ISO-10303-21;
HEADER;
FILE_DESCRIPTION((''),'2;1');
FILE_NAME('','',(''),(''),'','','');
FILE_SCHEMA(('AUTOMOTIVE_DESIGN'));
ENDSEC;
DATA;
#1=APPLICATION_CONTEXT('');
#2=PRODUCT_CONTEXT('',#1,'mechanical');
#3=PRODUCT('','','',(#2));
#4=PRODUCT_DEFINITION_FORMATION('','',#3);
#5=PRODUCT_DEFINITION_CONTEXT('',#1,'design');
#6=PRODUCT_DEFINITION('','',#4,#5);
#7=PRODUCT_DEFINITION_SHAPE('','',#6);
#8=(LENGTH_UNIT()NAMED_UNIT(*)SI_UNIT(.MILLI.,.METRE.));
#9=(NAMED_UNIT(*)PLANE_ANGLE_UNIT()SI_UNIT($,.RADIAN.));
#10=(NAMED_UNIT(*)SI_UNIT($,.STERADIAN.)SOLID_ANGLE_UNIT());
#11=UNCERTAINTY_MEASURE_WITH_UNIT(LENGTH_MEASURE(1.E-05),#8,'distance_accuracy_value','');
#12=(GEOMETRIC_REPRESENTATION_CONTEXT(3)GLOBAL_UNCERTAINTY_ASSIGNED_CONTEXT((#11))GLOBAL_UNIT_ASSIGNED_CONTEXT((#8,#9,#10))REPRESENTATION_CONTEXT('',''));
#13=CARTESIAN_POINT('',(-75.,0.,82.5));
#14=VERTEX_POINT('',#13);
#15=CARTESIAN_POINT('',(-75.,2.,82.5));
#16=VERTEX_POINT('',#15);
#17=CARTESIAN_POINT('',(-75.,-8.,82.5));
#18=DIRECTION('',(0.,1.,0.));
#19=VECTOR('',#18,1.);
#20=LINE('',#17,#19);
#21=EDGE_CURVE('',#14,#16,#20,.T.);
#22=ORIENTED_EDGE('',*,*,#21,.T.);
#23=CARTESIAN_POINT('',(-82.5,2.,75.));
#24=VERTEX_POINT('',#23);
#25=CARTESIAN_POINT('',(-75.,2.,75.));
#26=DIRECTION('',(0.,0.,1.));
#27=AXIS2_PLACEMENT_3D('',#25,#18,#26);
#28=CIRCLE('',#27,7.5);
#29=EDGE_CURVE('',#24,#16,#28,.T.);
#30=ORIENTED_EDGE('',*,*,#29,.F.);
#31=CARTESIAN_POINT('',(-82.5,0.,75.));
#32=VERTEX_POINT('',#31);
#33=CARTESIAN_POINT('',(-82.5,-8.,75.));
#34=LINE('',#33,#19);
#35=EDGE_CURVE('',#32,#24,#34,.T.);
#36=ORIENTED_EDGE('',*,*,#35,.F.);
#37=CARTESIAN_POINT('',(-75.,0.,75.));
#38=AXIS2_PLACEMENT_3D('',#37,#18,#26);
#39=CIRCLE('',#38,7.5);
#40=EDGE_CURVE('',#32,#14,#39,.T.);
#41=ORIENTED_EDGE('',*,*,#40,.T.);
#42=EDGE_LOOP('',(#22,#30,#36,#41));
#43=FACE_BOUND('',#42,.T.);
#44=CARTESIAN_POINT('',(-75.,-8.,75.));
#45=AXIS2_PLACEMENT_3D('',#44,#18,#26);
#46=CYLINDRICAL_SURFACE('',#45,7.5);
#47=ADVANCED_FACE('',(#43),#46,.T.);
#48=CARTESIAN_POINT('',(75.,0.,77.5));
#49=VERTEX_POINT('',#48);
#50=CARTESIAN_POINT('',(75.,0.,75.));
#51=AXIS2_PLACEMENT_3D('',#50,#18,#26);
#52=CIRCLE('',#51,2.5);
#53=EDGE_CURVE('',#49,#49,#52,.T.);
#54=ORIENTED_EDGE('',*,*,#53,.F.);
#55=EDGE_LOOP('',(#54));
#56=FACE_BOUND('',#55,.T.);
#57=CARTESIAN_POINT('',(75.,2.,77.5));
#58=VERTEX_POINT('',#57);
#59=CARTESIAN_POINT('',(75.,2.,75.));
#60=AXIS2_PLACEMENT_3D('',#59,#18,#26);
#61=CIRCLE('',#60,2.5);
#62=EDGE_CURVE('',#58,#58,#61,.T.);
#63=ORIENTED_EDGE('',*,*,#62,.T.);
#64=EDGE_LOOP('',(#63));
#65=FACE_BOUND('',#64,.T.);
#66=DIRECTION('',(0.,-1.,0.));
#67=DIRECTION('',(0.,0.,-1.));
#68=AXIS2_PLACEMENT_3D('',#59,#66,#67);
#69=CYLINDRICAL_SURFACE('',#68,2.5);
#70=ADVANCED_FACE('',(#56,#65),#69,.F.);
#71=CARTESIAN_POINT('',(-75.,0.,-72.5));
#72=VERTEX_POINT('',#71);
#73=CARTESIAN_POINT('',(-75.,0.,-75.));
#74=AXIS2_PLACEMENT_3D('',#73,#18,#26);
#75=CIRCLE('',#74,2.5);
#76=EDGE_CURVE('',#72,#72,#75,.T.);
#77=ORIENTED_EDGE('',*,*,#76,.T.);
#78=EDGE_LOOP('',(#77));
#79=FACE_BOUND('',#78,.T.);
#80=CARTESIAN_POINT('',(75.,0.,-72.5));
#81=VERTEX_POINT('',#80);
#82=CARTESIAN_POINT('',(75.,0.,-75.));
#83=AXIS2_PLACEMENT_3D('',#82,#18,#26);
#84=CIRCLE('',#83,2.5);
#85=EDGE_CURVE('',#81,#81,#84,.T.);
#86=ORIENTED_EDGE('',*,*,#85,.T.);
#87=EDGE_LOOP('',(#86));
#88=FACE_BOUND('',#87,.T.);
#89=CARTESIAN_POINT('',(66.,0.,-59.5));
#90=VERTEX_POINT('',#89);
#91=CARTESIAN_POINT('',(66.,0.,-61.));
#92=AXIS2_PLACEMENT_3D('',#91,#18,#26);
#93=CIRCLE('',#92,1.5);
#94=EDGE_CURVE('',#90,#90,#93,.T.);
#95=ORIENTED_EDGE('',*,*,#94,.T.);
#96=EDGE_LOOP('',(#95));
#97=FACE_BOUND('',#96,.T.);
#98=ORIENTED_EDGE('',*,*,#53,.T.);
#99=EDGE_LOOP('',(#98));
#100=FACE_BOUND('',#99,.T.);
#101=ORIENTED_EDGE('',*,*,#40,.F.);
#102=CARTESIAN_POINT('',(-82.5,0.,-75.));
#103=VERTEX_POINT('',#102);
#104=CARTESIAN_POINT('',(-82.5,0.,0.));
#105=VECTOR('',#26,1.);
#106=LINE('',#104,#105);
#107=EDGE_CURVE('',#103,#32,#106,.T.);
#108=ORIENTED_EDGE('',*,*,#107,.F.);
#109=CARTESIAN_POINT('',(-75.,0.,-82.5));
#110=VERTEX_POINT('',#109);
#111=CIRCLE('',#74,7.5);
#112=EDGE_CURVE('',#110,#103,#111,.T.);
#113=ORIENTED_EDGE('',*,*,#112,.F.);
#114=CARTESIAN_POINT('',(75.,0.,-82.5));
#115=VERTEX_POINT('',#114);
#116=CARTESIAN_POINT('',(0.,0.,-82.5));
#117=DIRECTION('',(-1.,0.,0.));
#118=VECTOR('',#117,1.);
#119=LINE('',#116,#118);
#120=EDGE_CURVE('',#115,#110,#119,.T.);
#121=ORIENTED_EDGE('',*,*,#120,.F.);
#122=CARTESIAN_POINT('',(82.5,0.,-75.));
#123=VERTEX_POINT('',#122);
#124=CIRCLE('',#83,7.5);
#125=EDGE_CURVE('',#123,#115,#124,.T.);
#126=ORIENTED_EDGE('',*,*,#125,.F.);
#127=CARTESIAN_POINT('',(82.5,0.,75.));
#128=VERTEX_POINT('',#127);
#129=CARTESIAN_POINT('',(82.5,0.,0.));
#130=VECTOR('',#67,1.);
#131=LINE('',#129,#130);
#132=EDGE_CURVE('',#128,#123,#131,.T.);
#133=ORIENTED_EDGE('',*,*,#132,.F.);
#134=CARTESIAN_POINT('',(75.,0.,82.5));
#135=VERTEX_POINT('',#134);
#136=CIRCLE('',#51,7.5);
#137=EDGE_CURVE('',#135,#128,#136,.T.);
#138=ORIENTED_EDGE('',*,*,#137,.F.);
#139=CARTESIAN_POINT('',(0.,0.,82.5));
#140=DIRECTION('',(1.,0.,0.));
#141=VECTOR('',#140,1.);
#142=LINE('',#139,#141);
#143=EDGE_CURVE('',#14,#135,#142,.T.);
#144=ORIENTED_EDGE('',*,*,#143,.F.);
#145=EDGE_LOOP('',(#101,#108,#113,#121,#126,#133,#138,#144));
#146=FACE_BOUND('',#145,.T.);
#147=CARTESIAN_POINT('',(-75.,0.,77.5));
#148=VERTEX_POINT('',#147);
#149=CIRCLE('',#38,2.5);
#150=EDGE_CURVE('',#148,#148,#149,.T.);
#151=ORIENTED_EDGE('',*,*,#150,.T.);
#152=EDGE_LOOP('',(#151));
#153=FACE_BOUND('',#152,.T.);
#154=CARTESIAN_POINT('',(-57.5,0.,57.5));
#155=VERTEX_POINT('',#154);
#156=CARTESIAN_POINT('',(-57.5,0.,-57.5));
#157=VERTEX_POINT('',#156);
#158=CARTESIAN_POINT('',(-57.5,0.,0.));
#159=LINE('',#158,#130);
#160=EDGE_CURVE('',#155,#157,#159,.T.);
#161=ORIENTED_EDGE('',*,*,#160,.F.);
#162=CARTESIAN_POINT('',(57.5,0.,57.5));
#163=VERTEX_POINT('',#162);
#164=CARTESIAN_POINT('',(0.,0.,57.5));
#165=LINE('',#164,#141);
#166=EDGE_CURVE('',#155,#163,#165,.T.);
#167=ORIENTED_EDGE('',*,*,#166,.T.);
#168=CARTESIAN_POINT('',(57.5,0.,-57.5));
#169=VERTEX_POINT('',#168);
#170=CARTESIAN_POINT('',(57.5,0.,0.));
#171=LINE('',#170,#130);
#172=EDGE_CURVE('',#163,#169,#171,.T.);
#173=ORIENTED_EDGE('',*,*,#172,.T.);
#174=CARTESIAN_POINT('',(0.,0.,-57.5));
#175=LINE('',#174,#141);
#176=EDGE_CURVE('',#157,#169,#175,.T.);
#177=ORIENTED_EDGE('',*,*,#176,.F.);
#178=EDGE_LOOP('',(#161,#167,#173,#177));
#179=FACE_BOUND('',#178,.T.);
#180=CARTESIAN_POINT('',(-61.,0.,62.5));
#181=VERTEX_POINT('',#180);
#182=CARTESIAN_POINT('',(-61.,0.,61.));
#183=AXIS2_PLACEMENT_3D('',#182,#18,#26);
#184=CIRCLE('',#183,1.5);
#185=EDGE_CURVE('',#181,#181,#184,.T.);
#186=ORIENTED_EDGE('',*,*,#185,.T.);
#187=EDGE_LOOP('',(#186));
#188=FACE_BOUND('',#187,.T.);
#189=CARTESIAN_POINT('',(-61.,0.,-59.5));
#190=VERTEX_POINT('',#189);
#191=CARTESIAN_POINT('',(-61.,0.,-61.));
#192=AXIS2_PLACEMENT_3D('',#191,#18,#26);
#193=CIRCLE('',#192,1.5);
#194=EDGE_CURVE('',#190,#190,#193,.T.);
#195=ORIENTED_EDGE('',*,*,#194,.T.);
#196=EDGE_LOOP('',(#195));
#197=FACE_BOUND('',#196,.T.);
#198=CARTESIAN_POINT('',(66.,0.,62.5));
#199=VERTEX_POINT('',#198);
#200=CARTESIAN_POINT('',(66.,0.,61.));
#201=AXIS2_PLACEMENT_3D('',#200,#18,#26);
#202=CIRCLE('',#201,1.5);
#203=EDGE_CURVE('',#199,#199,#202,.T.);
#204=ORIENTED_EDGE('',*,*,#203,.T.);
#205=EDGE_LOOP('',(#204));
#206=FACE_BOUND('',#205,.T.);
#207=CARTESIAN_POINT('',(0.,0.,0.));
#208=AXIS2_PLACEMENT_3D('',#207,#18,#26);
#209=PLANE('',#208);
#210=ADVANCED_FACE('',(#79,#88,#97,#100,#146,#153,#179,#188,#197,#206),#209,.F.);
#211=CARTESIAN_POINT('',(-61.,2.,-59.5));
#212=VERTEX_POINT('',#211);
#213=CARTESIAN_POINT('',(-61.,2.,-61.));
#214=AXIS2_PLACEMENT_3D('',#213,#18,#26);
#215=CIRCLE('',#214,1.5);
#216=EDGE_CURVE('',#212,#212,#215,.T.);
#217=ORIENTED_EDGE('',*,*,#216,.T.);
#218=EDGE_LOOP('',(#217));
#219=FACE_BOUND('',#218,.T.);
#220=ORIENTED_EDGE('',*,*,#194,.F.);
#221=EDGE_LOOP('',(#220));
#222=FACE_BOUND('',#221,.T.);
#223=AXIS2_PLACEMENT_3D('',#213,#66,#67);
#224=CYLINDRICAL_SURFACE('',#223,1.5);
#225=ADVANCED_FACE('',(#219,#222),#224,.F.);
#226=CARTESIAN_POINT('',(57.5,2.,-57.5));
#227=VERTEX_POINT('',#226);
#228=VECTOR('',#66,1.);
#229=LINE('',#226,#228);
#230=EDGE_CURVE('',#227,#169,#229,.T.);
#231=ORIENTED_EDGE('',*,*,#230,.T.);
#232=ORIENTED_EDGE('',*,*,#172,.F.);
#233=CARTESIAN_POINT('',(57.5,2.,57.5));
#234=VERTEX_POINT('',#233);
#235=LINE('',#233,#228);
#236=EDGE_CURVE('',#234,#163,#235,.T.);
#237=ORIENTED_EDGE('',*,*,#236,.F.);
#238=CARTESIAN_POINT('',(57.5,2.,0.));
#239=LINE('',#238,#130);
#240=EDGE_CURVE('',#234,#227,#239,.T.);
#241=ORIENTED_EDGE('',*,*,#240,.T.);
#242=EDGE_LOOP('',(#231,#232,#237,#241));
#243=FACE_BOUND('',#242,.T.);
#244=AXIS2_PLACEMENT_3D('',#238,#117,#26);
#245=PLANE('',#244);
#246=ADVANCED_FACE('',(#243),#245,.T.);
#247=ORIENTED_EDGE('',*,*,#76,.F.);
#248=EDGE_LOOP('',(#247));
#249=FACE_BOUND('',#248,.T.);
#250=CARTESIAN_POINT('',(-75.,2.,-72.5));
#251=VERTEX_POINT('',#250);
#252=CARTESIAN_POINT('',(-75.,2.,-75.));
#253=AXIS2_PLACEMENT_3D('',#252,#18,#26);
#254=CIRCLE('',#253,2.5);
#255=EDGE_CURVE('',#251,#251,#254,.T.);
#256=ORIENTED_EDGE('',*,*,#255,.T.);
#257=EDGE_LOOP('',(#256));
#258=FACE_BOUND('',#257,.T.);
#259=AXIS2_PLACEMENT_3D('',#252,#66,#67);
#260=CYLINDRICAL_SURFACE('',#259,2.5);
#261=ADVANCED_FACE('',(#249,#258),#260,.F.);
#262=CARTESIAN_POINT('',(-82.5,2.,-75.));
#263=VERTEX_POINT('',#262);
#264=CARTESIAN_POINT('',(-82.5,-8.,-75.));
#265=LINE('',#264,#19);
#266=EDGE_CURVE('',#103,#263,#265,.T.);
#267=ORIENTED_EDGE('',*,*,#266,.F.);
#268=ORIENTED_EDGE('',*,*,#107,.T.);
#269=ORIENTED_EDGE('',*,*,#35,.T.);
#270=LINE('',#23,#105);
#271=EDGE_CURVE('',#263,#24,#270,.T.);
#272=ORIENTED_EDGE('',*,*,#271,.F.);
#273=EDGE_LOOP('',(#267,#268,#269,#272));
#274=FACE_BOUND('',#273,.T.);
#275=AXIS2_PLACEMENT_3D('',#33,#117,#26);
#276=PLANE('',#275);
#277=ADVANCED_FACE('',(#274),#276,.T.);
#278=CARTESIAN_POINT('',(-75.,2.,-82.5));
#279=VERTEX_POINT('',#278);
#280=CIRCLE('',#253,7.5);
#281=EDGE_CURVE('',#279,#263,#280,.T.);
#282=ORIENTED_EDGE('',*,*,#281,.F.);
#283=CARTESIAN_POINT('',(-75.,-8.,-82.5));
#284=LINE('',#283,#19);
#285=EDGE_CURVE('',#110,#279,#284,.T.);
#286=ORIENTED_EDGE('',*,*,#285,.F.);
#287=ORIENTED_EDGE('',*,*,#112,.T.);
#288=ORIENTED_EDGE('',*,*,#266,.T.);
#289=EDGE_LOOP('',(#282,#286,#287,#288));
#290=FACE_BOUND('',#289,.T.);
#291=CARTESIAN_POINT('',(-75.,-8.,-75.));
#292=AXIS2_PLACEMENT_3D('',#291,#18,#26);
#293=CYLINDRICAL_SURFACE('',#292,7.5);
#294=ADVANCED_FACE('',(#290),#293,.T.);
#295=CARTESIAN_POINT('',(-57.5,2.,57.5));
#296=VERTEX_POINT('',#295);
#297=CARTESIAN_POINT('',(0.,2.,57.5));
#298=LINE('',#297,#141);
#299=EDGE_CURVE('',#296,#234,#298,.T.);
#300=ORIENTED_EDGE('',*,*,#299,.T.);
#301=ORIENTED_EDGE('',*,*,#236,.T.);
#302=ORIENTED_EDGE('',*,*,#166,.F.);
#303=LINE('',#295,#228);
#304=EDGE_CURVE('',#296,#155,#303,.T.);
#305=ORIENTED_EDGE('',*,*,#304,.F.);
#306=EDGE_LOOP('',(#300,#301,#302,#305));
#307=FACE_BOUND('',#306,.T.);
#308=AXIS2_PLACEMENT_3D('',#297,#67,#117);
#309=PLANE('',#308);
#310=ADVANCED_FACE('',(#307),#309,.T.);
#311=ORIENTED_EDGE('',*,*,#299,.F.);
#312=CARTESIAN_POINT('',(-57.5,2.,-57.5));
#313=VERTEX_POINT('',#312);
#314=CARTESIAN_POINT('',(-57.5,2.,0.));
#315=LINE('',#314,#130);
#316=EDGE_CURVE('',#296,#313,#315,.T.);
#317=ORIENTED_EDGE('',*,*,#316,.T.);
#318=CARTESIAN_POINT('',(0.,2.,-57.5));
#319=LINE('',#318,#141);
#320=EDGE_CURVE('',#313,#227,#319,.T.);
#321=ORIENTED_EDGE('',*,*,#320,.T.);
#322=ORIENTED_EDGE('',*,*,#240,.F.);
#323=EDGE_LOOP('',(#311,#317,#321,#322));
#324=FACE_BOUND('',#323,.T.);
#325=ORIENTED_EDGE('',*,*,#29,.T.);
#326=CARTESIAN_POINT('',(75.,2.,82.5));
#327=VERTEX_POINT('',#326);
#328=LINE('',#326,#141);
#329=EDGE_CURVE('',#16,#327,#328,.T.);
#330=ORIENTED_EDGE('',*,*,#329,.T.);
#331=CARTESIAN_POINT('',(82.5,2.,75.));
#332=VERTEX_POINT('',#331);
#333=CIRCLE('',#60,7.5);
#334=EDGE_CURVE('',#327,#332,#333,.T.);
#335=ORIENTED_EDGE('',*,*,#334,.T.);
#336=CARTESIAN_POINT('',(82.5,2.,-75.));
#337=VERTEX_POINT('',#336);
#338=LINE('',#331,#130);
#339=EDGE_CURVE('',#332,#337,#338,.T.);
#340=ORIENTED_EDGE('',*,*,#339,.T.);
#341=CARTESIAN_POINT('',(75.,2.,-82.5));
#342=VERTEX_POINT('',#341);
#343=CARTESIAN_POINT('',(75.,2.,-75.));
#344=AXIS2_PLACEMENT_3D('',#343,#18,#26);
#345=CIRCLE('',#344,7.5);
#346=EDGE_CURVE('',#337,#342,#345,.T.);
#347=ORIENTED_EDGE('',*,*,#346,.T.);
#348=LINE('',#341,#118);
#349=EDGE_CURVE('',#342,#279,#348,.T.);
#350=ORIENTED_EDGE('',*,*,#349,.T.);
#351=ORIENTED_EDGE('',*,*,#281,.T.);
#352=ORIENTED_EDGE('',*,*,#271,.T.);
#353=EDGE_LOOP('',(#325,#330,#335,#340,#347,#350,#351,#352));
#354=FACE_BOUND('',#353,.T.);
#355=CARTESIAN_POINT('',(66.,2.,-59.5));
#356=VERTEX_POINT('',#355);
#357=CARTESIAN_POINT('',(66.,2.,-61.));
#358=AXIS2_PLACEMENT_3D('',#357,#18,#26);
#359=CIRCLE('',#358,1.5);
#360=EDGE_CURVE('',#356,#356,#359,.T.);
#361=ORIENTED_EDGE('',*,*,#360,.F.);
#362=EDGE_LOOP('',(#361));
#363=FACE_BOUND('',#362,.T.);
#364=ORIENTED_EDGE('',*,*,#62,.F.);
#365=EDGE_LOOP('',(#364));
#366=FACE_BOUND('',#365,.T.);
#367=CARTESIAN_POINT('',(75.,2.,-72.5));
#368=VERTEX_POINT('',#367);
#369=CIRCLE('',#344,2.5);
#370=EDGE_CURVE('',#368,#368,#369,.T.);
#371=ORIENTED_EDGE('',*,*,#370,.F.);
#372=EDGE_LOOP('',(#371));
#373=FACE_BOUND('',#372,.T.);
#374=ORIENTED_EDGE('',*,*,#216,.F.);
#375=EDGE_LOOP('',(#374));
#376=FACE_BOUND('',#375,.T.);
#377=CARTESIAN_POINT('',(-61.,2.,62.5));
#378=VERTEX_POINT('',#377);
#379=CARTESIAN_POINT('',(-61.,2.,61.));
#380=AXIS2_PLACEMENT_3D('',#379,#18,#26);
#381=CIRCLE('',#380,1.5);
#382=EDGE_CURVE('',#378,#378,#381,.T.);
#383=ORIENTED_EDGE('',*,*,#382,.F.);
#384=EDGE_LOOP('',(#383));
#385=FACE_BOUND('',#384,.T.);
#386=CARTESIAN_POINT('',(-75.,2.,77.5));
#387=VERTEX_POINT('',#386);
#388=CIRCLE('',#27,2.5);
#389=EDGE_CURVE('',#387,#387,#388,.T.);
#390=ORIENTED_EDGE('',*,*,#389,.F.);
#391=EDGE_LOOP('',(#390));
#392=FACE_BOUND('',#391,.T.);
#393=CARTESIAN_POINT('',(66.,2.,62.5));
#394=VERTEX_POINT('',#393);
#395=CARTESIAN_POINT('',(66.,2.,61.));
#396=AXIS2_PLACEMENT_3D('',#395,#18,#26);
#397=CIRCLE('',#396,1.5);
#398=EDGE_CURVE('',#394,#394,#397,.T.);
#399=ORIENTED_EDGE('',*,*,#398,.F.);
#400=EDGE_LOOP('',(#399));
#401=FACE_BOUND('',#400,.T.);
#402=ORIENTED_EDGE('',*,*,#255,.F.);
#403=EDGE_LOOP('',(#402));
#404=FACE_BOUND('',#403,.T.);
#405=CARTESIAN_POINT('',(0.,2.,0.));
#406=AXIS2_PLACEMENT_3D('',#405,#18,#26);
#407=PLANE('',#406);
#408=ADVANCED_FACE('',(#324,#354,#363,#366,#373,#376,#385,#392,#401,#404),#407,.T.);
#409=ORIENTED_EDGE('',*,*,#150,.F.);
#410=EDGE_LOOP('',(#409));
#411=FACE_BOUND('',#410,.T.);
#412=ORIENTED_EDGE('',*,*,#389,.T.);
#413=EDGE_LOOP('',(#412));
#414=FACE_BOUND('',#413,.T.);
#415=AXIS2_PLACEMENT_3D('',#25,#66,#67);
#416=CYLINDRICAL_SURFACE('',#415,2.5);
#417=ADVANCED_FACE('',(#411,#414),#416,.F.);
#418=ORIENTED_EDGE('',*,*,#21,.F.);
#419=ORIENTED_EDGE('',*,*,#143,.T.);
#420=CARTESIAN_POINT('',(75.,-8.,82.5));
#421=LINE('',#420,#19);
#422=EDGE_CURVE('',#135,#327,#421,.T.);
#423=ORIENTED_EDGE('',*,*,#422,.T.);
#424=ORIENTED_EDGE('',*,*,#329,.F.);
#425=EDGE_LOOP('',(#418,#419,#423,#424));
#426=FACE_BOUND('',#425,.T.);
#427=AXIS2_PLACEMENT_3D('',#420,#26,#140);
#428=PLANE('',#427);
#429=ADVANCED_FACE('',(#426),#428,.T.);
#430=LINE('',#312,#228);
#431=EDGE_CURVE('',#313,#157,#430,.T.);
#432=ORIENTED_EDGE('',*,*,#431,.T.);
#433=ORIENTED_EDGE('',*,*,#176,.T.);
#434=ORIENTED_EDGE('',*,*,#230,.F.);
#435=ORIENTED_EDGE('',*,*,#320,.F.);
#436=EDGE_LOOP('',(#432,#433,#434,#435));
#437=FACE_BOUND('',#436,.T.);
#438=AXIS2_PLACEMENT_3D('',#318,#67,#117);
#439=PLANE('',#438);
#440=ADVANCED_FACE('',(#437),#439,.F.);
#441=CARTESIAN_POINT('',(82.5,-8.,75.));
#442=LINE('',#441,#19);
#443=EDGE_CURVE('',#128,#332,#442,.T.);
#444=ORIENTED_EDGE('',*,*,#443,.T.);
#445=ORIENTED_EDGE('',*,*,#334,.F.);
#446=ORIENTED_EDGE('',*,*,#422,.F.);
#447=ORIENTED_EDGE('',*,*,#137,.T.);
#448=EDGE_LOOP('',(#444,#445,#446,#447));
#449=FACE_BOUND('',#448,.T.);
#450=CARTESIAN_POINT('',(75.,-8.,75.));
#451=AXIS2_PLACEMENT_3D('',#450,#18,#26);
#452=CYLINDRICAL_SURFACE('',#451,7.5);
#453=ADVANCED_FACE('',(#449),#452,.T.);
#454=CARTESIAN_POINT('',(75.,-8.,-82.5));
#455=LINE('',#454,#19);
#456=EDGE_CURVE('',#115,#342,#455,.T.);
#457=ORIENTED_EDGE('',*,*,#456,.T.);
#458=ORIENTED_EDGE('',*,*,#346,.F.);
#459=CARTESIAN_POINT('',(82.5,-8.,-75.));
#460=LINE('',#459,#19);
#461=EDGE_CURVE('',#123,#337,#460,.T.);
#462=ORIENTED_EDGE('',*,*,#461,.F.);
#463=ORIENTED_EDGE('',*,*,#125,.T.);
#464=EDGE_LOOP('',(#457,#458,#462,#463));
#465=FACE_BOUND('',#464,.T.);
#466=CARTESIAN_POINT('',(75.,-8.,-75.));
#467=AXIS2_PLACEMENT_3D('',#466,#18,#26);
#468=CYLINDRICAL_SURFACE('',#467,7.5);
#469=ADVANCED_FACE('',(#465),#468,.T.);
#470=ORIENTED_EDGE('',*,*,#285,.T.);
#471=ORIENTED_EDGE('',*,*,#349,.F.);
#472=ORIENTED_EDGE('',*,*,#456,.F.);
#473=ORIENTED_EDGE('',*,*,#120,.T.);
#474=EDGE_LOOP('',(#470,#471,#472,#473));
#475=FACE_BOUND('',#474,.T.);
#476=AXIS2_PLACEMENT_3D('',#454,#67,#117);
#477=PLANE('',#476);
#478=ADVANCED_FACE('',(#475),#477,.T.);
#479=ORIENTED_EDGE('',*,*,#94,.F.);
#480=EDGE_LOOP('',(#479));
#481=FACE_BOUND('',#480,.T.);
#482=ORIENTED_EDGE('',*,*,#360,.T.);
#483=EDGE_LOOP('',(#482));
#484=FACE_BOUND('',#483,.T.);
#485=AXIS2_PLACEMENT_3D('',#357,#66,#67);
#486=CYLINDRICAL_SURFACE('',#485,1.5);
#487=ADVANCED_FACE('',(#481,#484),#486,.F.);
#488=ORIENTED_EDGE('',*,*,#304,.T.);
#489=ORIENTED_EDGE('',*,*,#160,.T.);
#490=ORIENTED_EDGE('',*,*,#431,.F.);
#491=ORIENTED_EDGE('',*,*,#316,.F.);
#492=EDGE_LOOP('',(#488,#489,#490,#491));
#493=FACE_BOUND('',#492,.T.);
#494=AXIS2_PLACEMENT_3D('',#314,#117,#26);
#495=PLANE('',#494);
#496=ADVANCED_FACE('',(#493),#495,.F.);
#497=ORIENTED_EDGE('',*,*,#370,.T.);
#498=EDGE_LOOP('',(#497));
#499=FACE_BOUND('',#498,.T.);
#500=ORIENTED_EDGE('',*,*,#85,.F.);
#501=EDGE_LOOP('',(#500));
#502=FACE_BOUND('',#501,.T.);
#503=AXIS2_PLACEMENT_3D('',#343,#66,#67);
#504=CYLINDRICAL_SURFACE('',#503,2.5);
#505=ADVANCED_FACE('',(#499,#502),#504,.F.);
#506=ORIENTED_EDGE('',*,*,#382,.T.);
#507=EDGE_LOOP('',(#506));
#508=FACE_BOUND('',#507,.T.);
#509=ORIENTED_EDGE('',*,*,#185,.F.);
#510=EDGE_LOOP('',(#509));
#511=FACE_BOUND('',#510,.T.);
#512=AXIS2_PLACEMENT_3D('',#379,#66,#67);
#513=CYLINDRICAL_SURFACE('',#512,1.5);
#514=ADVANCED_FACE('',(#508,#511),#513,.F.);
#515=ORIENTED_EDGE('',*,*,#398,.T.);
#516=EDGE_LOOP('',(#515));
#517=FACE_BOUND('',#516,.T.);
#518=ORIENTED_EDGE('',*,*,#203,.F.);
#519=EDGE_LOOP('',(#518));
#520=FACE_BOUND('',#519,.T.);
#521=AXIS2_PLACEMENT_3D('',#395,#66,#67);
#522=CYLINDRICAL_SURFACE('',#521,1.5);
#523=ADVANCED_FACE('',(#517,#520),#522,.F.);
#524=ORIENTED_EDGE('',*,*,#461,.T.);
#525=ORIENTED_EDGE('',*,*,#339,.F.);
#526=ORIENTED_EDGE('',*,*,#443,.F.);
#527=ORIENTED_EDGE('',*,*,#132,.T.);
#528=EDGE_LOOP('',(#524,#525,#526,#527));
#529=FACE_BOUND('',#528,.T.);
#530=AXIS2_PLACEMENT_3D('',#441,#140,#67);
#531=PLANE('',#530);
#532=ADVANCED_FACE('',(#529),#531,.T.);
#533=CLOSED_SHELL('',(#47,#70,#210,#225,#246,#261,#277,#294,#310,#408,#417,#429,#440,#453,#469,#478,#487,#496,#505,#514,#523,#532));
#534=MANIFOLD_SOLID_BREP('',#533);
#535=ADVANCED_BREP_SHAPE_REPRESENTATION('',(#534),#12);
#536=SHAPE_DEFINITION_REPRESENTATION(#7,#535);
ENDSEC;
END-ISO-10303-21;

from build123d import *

# Parameters (mm, degrees)
CROQUIS1_W              = 170
CROQUIS1_H              = 170
CROQUIS1_R              = 2.5
CROQUIS1_R_2            = 1.5
CROQUIS1_W_2            = 115
CROQUIS1_H_2            = 115
SALIENTE_EXTRUIR1_DEPTH = 2
CROQUIS3_W              = 170
CROQUIS3_H              = 170
CORTAR_EXTRUIR1_DEPTH   = 10


with BuildPart() as part:
    # Croquis1 → Saliente-Extruir1 (new body)
    with BuildSketch(Plane(origin=(0, 0, 0), x_dir=(1, 0, 0), z_dir=(0, 1, 0))):
        Rectangle(CROQUIS1_W, CROQUIS1_H)
        with Locations(Location((-75, 75, 0), (0, 0, 270))):
            Circle(CROQUIS1_R, mode=Mode.SUBTRACT)
        with Locations(Location((75, 75, 0), (0, 0, 270))):
            Circle(CROQUIS1_R, mode=Mode.SUBTRACT)
        with Locations(Location((75, -75, 0), (0, 0, 270))):
            Circle(CROQUIS1_R, mode=Mode.SUBTRACT)
        with Locations(Location((-75, -75, 0), (0, 0, 270))):
            Circle(CROQUIS1_R, mode=Mode.SUBTRACT)
        with Locations(Location((-61, 61, 0), (0, 0, 270))):
            Circle(CROQUIS1_R_2, mode=Mode.SUBTRACT)
        with Locations(Location((66, 61, 0), (0, 0, 270))):
            Circle(CROQUIS1_R_2, mode=Mode.SUBTRACT)
        with Locations(Location((66, -61, 0), (0, 0, 270))):
            Circle(CROQUIS1_R_2, mode=Mode.SUBTRACT)
        with Locations(Location((-61, -61, 0), (0, 0, 270))):
            Circle(CROQUIS1_R_2, mode=Mode.SUBTRACT)
        Rectangle(CROQUIS1_W_2, CROQUIS1_H_2, mode=Mode.SUBTRACT)
    extrude(amount=SALIENTE_EXTRUIR1_DEPTH)

    # Croquis3 → Cortar-Extruir1 (cut)
    with BuildSketch(Plane(origin=(0, 2, 0), x_dir=(1, 0, 0), z_dir=(0, 1, 0))):
        Rectangle(CROQUIS3_W, CROQUIS3_H)
        with BuildLine():
            Line((75, -82.5), (-75, -82.5))
            ThreePointArc((-75, -82.5), (-80.303300859, -80.303300859), (-82.5, -75))
            Line((-82.5, -75), (-82.5, 75))
            ThreePointArc((-82.5, 75), (-80.303300859, 80.303300859), (-75, 82.5))
            Line((-75, 82.5), (75, 82.5))
            ThreePointArc((75, 82.5), (80.303300859, 80.303300859), (82.5, 75))
            Line((82.5, 75), (82.5, -75))
            ThreePointArc((82.5, -75), (80.303300859, -80.303300859), (75, -82.5))
        make_face(mode=Mode.SUBTRACT)
    extrude(amount=-CORTAR_EXTRUIR1_DEPTH, mode=Mode.SUBTRACT)


solid = part.part
